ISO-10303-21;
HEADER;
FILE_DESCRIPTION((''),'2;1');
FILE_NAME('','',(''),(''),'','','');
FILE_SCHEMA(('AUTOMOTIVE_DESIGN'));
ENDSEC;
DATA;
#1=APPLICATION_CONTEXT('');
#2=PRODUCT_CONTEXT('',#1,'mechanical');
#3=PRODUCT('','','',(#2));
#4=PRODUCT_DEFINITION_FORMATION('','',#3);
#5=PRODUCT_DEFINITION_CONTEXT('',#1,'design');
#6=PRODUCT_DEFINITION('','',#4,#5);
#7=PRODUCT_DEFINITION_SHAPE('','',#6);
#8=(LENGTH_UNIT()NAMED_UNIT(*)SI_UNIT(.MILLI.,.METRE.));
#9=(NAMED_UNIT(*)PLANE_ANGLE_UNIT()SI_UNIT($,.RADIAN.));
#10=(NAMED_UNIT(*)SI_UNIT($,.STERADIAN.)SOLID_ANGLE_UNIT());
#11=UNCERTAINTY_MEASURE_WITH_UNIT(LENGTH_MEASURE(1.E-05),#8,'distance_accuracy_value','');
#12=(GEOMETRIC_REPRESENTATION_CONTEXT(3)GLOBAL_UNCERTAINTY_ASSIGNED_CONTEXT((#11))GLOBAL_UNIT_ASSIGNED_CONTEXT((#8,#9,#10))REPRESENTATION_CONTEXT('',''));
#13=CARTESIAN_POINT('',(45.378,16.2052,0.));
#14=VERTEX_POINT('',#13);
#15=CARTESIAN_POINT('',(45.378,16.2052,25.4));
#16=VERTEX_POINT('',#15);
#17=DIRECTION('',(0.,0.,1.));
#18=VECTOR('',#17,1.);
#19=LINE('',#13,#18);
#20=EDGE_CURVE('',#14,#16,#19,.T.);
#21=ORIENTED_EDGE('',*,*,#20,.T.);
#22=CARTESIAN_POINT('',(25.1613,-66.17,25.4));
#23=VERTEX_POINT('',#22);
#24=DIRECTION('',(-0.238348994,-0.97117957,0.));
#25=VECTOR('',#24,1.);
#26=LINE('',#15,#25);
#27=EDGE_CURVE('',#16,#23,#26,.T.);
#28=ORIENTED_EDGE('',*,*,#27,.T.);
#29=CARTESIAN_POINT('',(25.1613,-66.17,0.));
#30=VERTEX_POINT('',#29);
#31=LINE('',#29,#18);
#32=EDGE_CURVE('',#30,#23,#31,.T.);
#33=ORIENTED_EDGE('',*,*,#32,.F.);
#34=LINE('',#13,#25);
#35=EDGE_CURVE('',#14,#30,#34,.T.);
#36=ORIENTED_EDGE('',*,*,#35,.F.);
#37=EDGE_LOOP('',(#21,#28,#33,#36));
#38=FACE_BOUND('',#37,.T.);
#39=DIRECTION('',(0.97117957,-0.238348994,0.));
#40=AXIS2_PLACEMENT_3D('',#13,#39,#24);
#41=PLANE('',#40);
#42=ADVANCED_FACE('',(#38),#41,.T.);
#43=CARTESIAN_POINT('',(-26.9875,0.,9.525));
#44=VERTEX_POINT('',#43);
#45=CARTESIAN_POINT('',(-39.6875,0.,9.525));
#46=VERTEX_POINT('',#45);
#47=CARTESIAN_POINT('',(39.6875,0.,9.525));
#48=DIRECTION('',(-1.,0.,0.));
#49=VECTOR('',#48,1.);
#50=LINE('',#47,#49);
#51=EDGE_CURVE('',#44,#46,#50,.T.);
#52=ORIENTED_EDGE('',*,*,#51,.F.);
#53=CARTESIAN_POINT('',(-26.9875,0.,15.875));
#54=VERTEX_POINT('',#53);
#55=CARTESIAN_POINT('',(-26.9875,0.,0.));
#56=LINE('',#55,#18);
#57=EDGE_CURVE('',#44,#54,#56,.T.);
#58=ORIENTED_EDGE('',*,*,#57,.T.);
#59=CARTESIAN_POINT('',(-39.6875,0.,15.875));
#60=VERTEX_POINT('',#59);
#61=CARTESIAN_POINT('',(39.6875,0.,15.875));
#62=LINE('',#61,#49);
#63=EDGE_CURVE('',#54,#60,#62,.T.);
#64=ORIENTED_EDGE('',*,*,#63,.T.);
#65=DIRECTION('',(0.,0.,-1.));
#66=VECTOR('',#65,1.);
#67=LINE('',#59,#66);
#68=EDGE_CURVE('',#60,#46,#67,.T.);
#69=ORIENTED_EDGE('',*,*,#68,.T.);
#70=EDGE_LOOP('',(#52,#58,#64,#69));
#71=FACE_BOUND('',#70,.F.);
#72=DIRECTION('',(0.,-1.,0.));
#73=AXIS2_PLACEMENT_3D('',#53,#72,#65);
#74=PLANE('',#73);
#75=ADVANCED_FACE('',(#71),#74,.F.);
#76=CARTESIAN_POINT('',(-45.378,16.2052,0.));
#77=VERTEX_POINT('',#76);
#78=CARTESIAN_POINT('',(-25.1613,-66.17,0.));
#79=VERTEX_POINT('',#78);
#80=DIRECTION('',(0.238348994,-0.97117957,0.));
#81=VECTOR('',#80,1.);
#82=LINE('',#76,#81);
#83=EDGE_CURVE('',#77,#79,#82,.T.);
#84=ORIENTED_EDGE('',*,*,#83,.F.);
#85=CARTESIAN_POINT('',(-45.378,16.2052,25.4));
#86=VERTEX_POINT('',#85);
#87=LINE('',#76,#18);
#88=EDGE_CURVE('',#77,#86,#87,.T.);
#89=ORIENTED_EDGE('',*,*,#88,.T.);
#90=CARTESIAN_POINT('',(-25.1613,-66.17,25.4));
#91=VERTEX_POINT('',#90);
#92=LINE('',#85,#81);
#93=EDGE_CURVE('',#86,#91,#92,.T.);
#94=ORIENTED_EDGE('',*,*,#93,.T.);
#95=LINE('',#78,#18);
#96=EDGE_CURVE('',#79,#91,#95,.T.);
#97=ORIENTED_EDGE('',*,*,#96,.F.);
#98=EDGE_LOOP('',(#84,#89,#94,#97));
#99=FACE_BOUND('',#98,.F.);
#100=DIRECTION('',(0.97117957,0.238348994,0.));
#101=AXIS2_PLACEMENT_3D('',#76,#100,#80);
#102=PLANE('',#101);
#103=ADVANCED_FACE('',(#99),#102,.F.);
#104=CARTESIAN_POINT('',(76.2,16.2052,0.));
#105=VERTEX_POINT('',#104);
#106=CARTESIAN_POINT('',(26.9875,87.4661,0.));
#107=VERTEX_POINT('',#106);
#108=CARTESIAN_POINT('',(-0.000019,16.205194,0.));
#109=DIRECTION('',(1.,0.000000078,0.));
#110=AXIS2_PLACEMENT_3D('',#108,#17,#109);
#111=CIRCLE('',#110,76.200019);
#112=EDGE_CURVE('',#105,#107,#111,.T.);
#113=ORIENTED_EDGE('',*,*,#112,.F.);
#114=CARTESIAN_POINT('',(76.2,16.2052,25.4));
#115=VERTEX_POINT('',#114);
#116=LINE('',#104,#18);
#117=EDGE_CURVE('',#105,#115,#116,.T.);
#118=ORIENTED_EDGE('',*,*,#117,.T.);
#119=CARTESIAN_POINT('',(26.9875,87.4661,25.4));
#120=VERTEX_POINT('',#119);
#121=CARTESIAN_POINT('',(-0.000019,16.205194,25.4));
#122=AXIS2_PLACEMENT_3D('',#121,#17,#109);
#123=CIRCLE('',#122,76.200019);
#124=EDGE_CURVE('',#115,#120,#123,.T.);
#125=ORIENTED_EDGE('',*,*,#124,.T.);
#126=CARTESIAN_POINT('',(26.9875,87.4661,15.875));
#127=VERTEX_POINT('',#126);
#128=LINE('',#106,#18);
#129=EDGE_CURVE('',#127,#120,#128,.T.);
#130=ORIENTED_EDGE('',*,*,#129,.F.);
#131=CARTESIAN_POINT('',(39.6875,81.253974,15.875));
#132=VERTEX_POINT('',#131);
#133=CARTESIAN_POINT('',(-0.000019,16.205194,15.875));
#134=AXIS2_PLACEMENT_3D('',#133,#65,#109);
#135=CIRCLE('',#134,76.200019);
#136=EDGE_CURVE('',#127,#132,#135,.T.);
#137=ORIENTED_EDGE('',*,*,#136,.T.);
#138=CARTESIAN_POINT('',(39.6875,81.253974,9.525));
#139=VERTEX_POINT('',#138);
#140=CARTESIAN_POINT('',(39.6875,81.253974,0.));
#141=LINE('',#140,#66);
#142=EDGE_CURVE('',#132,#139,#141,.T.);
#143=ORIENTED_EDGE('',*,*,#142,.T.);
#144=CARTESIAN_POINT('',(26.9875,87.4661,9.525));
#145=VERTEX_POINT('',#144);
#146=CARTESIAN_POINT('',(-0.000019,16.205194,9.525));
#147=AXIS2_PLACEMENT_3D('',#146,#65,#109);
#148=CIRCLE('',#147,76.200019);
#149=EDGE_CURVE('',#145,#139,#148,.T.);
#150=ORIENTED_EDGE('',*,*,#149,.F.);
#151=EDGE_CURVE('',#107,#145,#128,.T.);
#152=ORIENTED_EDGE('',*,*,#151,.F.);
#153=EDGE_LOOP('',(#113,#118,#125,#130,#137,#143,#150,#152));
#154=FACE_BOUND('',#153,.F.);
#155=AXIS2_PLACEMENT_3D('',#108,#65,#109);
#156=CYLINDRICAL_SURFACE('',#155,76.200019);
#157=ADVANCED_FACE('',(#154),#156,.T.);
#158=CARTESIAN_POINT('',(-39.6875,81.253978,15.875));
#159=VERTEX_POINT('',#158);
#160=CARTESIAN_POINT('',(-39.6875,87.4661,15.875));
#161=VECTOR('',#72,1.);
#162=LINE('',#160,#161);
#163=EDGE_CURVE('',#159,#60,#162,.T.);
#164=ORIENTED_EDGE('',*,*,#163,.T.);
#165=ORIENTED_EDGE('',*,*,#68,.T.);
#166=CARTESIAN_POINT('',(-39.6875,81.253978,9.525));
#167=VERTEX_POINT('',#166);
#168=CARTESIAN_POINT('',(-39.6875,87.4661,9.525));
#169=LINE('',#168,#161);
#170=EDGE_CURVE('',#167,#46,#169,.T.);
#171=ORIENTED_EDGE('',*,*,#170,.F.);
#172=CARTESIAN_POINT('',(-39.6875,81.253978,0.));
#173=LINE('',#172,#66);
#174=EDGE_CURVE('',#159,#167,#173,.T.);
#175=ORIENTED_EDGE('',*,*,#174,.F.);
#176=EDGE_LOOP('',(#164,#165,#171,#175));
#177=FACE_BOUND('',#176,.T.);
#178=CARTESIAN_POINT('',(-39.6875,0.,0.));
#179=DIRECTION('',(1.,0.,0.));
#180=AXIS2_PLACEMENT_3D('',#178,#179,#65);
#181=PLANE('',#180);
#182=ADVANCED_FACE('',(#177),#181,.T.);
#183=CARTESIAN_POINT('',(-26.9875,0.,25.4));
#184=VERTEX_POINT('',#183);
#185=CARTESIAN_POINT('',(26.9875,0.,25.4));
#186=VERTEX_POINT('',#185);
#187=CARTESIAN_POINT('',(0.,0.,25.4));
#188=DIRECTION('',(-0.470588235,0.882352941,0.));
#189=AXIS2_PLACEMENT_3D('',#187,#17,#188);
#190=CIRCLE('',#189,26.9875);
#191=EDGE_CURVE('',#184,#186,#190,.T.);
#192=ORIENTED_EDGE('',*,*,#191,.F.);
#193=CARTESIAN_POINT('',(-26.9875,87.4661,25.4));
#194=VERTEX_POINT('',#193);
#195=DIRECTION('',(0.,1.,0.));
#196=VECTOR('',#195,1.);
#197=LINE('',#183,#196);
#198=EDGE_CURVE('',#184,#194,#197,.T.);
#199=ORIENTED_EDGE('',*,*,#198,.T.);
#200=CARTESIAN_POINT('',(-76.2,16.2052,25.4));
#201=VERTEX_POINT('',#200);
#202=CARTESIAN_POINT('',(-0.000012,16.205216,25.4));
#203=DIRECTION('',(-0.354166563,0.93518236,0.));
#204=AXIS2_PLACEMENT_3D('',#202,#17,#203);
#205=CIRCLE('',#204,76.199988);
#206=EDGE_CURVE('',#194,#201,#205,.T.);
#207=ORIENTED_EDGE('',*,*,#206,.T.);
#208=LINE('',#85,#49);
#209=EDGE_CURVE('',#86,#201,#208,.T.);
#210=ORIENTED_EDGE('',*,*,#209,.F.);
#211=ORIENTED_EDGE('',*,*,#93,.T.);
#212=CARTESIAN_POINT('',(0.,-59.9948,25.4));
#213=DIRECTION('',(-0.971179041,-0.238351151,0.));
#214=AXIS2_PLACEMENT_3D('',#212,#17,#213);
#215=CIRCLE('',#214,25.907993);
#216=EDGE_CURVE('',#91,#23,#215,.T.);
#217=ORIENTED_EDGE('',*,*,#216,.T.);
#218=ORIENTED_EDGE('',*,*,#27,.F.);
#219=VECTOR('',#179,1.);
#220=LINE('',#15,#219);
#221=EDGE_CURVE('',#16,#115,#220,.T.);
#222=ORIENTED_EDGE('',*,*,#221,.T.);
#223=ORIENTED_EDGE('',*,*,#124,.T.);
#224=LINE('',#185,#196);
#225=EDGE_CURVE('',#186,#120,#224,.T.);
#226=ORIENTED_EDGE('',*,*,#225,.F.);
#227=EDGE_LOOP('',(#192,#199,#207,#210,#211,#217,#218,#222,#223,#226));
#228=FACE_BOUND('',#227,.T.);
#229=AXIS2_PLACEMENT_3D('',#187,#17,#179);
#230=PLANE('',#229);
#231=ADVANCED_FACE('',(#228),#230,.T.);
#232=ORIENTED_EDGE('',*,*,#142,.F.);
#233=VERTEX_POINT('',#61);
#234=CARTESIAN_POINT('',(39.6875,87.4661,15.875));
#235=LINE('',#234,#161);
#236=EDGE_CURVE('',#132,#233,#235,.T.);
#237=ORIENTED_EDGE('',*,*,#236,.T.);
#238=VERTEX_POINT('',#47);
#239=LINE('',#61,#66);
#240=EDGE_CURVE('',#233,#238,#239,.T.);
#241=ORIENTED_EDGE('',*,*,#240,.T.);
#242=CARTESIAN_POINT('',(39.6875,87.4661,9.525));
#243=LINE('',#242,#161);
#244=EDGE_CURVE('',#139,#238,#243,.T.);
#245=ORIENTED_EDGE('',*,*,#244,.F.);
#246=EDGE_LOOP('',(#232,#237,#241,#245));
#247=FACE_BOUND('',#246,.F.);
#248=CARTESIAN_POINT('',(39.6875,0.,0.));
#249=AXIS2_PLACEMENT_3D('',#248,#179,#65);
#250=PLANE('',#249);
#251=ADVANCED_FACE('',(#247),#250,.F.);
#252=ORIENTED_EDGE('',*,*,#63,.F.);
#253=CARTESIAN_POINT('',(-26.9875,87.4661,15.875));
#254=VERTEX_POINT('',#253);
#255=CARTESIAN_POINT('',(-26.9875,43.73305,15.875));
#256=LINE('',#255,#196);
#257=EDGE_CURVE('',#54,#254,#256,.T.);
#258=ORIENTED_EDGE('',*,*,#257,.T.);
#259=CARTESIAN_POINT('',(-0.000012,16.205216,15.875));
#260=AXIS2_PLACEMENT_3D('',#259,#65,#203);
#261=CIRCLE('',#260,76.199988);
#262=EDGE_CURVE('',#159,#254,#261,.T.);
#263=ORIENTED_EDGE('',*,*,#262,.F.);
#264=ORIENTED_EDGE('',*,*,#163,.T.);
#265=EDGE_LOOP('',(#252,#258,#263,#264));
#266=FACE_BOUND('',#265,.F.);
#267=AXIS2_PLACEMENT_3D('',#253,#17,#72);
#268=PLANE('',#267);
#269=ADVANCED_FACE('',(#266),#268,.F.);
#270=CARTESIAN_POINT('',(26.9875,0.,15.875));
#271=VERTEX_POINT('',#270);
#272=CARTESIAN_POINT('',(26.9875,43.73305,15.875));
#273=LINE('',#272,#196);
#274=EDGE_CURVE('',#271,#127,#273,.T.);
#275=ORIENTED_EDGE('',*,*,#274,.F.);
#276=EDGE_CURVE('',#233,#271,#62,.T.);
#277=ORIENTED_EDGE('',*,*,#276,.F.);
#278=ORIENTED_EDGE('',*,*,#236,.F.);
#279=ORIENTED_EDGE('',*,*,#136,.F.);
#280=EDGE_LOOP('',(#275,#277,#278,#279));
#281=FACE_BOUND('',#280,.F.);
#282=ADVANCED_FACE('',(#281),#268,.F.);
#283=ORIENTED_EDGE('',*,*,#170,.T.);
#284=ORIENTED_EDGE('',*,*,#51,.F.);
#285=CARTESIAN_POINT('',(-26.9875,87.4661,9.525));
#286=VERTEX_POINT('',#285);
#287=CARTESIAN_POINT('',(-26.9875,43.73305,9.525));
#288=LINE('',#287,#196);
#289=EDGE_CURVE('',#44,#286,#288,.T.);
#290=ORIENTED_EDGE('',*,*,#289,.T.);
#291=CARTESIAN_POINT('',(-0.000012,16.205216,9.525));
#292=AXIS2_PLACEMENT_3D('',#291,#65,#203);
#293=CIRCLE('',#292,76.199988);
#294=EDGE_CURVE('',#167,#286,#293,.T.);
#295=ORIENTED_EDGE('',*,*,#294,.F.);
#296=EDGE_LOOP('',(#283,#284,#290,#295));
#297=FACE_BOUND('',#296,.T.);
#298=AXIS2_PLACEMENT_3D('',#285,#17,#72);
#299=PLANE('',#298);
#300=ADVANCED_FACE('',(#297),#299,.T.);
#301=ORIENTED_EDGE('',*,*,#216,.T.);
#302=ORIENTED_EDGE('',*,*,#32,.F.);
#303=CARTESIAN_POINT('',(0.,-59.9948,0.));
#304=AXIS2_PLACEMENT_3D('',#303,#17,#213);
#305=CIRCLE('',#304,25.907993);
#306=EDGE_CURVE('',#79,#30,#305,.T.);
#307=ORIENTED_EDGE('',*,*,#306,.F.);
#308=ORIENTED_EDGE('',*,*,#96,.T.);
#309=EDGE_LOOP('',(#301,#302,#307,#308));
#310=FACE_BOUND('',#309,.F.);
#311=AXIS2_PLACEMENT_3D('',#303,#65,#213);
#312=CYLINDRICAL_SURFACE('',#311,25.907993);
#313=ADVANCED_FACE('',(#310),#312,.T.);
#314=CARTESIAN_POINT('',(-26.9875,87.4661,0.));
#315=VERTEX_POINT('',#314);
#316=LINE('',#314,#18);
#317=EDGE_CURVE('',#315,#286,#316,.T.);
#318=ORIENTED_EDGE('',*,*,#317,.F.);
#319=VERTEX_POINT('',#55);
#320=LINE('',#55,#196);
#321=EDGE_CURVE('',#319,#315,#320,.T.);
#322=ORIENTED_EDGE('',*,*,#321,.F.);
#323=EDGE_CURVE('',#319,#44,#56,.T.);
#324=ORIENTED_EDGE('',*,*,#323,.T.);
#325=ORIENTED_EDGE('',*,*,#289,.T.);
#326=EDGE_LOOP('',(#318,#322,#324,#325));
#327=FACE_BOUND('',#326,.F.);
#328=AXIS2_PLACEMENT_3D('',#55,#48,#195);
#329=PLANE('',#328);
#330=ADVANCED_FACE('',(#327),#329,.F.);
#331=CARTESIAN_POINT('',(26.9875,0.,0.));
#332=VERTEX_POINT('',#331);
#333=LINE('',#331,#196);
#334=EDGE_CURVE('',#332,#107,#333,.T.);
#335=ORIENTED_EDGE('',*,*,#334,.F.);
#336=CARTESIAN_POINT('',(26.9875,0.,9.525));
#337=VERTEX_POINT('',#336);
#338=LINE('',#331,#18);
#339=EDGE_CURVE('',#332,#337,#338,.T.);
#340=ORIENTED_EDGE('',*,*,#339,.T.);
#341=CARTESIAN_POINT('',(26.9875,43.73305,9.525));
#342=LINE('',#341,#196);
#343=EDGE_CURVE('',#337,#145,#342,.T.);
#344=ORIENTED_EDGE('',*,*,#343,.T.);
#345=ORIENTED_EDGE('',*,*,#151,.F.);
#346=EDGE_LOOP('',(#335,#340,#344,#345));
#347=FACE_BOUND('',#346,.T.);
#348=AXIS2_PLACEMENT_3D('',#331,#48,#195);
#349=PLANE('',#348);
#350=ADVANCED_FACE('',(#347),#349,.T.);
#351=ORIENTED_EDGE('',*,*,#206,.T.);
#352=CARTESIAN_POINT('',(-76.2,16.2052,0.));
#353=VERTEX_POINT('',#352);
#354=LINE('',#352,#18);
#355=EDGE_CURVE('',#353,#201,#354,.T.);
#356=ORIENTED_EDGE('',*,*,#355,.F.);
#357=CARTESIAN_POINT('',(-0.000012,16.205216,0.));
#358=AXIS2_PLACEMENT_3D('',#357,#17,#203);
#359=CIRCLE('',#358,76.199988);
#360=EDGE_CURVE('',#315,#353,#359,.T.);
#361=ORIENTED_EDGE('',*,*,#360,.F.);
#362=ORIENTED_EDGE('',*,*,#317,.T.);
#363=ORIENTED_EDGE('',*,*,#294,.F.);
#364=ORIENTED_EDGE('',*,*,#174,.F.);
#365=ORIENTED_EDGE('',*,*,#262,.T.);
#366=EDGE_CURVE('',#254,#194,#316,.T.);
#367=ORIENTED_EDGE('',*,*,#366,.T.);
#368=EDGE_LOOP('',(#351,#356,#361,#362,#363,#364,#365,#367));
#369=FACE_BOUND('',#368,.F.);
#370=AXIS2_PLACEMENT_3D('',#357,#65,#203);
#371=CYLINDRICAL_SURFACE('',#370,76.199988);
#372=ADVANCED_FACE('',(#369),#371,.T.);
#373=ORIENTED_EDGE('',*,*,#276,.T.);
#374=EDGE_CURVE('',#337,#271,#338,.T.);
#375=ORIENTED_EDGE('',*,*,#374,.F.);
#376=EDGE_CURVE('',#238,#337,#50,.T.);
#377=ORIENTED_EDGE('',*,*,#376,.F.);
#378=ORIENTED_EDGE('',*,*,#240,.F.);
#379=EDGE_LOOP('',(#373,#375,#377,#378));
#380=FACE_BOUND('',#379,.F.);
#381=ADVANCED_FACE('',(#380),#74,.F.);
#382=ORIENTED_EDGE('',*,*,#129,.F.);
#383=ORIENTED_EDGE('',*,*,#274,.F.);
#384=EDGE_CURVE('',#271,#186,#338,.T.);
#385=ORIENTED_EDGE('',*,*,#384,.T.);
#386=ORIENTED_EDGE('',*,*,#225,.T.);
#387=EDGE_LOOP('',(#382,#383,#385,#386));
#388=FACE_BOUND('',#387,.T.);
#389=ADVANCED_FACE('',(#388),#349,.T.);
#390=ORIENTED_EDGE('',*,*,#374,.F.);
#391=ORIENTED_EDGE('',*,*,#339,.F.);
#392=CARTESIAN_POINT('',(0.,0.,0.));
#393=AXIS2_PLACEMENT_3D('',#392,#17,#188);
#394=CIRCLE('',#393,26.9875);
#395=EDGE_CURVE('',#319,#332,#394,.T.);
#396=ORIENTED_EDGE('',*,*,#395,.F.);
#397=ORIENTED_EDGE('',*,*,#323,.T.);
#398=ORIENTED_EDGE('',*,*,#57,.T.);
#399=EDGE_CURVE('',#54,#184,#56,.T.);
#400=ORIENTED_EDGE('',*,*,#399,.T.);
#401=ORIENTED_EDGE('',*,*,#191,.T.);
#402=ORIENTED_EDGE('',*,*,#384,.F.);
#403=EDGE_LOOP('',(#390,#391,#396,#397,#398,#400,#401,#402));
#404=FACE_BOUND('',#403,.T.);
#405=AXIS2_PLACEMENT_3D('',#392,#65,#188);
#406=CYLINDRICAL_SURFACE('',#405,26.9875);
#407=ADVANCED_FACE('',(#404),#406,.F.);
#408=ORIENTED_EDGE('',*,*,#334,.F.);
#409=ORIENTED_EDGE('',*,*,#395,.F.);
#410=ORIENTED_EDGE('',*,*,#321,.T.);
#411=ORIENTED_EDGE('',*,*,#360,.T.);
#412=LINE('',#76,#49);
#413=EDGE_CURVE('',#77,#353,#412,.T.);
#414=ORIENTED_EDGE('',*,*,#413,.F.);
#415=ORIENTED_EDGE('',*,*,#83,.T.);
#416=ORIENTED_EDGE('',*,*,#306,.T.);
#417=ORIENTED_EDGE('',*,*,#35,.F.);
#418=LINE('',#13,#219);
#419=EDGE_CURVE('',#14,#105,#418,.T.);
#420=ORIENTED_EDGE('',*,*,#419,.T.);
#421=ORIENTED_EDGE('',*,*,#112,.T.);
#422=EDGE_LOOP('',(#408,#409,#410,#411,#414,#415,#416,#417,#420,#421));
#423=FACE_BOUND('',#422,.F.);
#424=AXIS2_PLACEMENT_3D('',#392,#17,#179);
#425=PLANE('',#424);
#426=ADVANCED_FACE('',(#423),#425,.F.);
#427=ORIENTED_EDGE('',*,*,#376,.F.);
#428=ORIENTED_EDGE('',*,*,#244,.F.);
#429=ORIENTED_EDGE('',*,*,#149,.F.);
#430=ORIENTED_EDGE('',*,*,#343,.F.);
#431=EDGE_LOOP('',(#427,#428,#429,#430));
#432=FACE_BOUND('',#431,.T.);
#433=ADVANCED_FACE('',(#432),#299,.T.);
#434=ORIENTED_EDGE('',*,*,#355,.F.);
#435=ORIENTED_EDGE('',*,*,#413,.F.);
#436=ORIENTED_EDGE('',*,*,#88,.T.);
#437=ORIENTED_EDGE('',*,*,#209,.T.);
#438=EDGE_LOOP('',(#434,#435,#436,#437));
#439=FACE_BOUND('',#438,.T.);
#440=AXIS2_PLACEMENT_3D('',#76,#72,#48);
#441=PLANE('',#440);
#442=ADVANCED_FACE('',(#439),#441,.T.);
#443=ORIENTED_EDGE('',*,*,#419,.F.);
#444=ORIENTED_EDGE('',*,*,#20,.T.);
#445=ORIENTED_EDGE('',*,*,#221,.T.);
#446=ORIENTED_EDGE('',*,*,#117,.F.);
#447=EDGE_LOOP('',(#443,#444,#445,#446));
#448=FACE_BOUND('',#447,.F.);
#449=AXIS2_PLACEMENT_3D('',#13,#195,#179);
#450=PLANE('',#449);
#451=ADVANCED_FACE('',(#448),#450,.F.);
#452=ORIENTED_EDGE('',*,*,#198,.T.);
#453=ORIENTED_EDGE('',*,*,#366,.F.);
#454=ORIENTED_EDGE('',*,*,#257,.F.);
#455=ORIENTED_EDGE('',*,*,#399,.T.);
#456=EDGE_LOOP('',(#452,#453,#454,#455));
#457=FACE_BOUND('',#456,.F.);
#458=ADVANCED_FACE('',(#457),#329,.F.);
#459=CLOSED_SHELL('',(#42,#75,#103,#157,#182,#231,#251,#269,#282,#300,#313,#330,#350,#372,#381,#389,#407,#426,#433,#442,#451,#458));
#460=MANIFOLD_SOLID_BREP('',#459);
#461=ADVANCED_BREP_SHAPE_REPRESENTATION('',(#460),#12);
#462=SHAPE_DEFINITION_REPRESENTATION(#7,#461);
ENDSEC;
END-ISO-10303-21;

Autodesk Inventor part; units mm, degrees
ref_plane "YZ Plane" through (0, 0, 0) normal (1, 0, 0) x (0, 1, 0)
ref_plane "XZ Plane" through (0, 0, 0) normal (0, 1, 0) x (-1, 0, 0)
ref_plane "XY Plane" through (0, 0, 0) normal (0, 0, 1) x (1, 0, 0)
sketch "Sketch1" plane through (0, 0, 0) normal (0, 0, 1) x (1, 0, 0)
  arc A0 (-12.7, 21.997) -> (12.7, 21.997) centre (0, 0) ccw
  arc A1 (-12.7, 23.8125) -> (12.7, 23.8125) centre (0, 0) ccw
  line L0 (-12.7, 21.997) -> (-12.7, 23.8125)
  line L1 (12.7, 21.997) -> (12.7, 23.8125)
  line L2 (-12.7, 23.8125) -> (12.7, 23.8125)
  arc A2 (-25.1613, -66.17) -> (25.1613, -66.17) centre (0, -59.9948) ccw
  line L3 (45.378, 16.2052) -> (25.1613, -66.17)
  line L4 (-45.378, 16.2052) -> (-25.1613, -66.17)
  line L5 (45.378, 16.2052) -> (76.2, 16.2052)
  line L6 (-45.378, 16.2052) -> (-76.2, 16.2052)
  line L7 (26.9875, 0) -> (26.9875, 87.4661)
  line L8 (-26.9875, 0) -> (-26.9875, 87.4661)
  arc A3 (76.2, 16.2052) -> (26.9875, 87.4661) centre (0, 16.2052) ccw
  arc A4 (-26.9875, 87.4661) -> (-76.2, 16.2052) centre (0, 16.2052) ccw
  dimension "d3" = 53.975
  dimension "d5" = 51.816
  dimension "d22" = 87.4661
extrude "Extrusion1" add sketch "Sketch1" along normal blind 25.4 contours A1 L7 A3 L5 L3 A2 L4 L6 A4 L8
sketch "Sketch2" plane through (-26.9875, 0, 0) normal (1, 0, 0) x (0, 0, -1)
  line L0 (0, 0) -> (0, 87.4661) projected
  line L1 (-25.4, 0) -> (-25.4, 87.4661) projected
  line L2 (-9.525, 87.4661) -> (-15.875, 87.4661)
  line L3 (-15.875, 0) -> (-9.525, 0)
  line L4 (0, 87.4661) -> (-25.4, 87.4661) construction
  line L5 (-12.7, 87.4661) -> (-12.7, 0) construction
  line L6 (0, 0) -> (-25.4, 0) construction
  line L7 (-9.525, 87.4661) -> (-9.525, 0)
  line L8 (-15.875, 87.4661) -> (-15.875, 0)
  dimension "d16" = 3.175
  dimension "d17" = 3.175
extrude "Extrusion2" cut sketch "Sketch2" against normal blind 12.7 and the other way blind 66.675
properties part number "Contrap"
